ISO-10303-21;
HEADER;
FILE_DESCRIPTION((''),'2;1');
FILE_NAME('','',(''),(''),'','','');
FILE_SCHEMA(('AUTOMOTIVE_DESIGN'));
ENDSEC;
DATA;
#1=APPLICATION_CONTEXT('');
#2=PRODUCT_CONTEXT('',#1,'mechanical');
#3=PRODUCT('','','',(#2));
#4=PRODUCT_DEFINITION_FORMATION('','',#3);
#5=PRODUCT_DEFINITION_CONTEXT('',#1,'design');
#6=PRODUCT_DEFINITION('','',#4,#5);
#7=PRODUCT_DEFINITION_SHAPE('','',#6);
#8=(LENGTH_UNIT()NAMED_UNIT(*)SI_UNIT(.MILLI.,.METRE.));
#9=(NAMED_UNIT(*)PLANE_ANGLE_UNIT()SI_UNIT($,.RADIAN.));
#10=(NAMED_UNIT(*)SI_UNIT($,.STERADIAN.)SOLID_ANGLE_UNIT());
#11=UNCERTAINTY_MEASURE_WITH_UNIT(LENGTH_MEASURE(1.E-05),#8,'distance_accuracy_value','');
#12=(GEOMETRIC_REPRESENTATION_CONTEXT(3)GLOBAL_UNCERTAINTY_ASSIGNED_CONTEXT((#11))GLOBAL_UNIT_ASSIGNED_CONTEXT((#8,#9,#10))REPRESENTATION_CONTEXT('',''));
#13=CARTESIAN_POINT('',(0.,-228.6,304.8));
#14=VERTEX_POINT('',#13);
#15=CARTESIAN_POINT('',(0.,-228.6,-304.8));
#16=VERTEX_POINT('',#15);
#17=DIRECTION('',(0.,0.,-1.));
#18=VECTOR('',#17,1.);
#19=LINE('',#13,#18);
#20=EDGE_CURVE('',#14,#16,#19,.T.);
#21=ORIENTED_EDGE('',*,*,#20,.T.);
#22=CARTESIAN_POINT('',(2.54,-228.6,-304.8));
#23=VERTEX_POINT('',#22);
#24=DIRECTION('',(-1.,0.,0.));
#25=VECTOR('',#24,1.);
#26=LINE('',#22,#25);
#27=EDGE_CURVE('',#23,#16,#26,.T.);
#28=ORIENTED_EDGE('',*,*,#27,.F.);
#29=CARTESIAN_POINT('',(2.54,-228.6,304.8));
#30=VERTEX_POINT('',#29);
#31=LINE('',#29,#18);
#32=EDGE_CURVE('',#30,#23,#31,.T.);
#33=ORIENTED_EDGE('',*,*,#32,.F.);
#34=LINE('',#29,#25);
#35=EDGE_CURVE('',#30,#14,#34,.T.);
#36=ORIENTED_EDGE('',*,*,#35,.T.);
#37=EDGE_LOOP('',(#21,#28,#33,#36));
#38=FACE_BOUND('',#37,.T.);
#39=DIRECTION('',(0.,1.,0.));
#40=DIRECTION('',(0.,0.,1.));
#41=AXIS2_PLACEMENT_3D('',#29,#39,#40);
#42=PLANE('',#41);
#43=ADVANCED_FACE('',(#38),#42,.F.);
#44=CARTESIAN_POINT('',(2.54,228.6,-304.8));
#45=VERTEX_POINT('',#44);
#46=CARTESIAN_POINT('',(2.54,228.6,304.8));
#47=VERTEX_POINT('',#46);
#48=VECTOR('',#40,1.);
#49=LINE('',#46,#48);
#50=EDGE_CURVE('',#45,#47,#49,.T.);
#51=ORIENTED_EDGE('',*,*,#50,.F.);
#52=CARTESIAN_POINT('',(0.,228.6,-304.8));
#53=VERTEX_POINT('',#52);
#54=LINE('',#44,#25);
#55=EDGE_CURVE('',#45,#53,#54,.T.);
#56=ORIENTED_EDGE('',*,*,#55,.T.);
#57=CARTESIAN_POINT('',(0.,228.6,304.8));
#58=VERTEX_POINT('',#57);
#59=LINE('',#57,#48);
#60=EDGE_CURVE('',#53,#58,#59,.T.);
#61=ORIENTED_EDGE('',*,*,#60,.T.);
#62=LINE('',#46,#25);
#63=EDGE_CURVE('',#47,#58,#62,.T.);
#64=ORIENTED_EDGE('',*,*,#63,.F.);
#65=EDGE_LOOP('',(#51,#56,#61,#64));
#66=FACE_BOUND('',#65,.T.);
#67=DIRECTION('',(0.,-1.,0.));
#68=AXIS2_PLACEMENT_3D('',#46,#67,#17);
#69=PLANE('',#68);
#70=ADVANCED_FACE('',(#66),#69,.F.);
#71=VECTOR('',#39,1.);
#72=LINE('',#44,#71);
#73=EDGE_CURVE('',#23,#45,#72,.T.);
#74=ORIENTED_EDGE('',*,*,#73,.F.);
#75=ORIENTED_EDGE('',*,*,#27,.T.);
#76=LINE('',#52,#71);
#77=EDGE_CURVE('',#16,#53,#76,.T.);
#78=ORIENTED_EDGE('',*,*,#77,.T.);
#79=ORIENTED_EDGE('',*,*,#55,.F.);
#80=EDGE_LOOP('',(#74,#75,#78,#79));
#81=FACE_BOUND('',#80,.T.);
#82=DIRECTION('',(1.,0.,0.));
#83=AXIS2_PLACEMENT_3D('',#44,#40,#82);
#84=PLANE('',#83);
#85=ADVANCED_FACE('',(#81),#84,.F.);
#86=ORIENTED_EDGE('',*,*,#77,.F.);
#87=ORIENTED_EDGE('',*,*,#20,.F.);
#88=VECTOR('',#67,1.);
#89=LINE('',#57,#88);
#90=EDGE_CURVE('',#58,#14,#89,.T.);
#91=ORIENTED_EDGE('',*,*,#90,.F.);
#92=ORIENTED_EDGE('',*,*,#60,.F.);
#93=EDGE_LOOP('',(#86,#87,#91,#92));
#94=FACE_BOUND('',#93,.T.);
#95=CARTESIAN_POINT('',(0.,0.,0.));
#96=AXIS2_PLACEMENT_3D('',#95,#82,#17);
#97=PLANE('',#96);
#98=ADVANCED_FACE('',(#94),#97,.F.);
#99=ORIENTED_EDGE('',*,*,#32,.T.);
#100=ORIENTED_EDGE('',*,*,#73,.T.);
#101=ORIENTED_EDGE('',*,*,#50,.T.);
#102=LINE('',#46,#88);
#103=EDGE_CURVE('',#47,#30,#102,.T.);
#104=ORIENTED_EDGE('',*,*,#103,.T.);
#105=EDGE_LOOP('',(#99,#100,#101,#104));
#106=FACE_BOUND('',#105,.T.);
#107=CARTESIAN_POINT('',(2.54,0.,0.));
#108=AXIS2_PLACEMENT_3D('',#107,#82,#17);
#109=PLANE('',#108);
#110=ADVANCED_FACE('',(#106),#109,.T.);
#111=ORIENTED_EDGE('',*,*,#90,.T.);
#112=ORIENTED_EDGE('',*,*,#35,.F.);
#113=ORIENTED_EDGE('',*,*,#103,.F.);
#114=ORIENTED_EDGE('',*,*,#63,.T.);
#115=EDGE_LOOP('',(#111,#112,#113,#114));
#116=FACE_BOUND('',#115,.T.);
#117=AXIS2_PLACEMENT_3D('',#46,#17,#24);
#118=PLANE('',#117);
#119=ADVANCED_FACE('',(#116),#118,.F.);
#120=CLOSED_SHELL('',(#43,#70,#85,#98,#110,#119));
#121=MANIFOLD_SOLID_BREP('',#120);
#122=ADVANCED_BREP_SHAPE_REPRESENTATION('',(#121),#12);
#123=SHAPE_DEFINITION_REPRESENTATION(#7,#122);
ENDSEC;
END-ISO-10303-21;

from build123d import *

# Parameters (mm, degrees)
SKETCH1_W           = 609.6
SKETCH1_H           = 457.2
BOSS_EXTRUDE1_DEPTH = 2.54


with BuildPart() as part:
    # Sketch1 → Boss-Extrude1 (new body)
    with BuildSketch(Plane(origin=(0, 0, 0), x_dir=(0, 0, -1), z_dir=(1, 0, 0))):
        Rectangle(SKETCH1_W, SKETCH1_H)
    extrude(amount=BOSS_EXTRUDE1_DEPTH)


solid = part.part
